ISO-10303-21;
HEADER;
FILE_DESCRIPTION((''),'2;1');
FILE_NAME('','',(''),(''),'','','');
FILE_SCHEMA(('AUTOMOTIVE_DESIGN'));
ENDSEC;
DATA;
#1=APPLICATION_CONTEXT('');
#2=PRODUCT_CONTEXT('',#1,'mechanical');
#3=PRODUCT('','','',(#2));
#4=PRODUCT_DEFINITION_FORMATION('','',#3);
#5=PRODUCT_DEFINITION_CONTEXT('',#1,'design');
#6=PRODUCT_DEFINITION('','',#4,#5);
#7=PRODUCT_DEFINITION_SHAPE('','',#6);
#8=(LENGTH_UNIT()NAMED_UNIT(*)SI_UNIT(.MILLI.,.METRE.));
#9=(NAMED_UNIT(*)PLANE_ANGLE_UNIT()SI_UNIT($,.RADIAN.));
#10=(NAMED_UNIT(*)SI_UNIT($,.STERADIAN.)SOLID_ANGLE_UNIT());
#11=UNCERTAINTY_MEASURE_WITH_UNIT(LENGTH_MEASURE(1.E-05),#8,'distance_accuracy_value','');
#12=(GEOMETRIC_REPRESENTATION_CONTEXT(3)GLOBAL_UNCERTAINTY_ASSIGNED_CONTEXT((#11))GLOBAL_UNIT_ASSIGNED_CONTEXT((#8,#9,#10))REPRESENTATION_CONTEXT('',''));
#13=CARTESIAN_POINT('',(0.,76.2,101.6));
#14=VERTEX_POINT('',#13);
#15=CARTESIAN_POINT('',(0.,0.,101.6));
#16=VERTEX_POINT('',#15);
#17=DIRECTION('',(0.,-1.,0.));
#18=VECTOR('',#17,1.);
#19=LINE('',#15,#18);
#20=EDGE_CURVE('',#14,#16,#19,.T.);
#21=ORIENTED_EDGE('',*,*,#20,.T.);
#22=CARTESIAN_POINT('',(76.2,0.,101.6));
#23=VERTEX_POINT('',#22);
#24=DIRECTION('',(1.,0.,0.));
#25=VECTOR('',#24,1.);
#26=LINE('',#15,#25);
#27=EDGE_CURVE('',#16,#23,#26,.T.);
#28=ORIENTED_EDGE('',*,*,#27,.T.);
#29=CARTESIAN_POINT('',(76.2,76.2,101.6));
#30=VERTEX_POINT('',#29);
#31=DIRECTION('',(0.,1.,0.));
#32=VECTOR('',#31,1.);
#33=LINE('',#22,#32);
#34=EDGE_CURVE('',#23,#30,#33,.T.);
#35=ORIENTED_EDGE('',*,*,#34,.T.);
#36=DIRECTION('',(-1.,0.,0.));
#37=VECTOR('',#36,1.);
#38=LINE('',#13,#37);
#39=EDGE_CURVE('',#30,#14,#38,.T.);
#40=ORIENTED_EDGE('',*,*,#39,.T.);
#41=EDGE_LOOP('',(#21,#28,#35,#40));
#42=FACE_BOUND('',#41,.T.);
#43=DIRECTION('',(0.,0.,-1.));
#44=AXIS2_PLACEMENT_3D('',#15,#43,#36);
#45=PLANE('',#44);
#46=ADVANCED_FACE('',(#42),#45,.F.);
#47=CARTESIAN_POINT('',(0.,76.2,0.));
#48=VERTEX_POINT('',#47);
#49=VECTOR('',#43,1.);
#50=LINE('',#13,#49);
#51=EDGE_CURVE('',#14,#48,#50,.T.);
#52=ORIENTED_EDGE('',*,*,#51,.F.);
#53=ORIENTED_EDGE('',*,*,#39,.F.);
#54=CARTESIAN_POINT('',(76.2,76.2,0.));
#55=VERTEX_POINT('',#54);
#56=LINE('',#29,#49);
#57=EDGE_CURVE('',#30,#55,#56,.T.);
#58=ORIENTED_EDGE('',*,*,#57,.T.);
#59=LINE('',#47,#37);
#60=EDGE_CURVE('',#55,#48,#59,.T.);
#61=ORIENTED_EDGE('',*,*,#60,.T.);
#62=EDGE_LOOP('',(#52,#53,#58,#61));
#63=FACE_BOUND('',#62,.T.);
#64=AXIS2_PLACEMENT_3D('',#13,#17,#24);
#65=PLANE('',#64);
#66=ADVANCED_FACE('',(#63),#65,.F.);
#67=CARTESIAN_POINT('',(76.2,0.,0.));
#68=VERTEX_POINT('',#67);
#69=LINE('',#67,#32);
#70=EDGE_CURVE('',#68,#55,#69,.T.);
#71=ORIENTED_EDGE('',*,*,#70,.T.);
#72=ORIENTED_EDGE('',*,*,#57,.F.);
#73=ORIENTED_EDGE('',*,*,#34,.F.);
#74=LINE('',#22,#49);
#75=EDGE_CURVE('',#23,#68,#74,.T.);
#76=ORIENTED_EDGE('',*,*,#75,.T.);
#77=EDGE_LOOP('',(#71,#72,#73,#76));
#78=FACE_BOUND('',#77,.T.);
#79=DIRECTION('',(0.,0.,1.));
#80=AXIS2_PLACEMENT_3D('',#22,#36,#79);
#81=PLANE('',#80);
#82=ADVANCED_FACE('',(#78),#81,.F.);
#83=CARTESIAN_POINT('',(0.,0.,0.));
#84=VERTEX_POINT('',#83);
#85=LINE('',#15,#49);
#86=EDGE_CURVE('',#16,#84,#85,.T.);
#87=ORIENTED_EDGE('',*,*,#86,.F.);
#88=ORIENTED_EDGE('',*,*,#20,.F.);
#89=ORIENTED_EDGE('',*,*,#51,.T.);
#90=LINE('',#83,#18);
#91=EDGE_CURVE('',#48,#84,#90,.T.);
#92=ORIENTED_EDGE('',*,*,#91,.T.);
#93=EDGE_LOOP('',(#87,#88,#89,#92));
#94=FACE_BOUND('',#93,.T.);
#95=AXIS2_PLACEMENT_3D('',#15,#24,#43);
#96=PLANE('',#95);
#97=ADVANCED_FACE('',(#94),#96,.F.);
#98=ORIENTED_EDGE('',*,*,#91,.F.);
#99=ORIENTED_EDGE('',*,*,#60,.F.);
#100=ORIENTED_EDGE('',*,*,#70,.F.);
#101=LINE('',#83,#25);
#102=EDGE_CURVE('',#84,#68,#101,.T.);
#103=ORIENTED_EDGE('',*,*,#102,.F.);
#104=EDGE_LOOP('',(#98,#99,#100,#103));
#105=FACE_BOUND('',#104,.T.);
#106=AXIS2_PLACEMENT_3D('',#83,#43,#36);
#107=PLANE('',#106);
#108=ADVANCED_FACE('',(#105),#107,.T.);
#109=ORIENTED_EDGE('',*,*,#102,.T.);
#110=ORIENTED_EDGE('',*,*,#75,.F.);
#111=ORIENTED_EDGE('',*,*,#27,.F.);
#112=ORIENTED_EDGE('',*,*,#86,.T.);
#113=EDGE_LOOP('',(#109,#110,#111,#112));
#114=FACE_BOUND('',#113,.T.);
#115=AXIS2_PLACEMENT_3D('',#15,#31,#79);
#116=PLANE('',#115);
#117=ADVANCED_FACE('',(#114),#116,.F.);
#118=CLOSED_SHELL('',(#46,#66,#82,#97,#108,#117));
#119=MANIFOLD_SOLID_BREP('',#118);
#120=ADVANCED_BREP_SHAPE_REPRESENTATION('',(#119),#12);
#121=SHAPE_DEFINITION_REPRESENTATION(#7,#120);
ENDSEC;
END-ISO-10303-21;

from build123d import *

# Parameters (mm, degrees)
SKETCH1_W           = 76.2
SKETCH1_H           = 76.2
BOSS_EXTRUDE1_DEPTH = 101.6


with BuildPart() as part:
    # Sketch1 → Boss-Extrude1 (new body)
    with BuildSketch(Plane.XY):
        with Locations((38.1, 38.1)):
            Rectangle(SKETCH1_W, SKETCH1_H)
    extrude(amount=BOSS_EXTRUDE1_DEPTH)


solid = part.part
